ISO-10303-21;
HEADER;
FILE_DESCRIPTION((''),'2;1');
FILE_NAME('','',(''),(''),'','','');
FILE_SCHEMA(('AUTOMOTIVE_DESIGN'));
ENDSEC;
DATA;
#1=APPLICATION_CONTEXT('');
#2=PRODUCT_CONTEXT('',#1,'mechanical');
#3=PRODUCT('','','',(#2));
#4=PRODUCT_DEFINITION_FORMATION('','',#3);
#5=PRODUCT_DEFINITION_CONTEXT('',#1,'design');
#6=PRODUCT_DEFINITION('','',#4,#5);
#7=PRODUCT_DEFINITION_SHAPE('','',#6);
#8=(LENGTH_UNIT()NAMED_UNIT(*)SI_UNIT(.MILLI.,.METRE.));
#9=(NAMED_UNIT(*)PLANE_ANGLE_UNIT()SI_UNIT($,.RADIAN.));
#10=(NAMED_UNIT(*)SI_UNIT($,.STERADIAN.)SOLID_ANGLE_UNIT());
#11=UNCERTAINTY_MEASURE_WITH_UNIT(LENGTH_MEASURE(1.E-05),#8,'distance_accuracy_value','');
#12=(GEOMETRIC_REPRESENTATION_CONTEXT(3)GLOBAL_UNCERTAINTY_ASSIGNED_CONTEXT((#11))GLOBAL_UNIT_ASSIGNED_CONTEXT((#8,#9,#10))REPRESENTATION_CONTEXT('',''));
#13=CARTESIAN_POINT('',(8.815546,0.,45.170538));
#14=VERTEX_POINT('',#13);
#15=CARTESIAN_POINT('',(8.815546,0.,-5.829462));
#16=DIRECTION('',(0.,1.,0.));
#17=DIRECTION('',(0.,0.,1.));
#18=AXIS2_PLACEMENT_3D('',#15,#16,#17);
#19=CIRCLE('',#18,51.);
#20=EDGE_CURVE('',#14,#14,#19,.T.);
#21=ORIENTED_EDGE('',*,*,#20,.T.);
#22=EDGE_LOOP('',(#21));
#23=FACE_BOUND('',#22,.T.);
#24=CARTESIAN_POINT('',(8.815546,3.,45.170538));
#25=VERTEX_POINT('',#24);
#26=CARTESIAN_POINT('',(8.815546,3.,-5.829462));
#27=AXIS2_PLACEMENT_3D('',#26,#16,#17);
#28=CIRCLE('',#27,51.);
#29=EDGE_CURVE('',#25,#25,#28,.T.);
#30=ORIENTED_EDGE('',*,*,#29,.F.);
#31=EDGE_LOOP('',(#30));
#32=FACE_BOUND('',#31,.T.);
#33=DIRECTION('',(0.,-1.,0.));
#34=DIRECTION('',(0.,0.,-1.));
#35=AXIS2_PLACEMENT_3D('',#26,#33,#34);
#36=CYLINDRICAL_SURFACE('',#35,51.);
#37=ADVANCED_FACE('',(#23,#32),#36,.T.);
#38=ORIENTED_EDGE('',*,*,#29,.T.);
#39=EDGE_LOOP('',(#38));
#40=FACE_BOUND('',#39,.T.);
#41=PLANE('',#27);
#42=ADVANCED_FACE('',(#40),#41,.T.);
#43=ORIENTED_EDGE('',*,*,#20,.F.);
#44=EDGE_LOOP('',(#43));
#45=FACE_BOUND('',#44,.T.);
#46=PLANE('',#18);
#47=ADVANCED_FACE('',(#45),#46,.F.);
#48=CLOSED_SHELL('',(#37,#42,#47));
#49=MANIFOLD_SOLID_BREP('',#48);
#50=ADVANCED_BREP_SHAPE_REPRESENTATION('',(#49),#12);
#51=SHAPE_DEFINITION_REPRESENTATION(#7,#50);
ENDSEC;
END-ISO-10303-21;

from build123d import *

# Parameters (mm, degrees)
SKETCH1_R           = 51
BOSS_EXTRUDE1_DEPTH = 3


with BuildPart() as part:
    # Sketch1 → Boss-Extrude1 (new body)
    with BuildSketch(Plane(origin=(0, 0, 0), x_dir=(1, 0, 0), z_dir=(0, 1, 0))):
        with Locations((8.815546452, 5.829461803)):
            Circle(SKETCH1_R)
    extrude(amount=BOSS_EXTRUDE1_DEPTH)


solid = part.part
